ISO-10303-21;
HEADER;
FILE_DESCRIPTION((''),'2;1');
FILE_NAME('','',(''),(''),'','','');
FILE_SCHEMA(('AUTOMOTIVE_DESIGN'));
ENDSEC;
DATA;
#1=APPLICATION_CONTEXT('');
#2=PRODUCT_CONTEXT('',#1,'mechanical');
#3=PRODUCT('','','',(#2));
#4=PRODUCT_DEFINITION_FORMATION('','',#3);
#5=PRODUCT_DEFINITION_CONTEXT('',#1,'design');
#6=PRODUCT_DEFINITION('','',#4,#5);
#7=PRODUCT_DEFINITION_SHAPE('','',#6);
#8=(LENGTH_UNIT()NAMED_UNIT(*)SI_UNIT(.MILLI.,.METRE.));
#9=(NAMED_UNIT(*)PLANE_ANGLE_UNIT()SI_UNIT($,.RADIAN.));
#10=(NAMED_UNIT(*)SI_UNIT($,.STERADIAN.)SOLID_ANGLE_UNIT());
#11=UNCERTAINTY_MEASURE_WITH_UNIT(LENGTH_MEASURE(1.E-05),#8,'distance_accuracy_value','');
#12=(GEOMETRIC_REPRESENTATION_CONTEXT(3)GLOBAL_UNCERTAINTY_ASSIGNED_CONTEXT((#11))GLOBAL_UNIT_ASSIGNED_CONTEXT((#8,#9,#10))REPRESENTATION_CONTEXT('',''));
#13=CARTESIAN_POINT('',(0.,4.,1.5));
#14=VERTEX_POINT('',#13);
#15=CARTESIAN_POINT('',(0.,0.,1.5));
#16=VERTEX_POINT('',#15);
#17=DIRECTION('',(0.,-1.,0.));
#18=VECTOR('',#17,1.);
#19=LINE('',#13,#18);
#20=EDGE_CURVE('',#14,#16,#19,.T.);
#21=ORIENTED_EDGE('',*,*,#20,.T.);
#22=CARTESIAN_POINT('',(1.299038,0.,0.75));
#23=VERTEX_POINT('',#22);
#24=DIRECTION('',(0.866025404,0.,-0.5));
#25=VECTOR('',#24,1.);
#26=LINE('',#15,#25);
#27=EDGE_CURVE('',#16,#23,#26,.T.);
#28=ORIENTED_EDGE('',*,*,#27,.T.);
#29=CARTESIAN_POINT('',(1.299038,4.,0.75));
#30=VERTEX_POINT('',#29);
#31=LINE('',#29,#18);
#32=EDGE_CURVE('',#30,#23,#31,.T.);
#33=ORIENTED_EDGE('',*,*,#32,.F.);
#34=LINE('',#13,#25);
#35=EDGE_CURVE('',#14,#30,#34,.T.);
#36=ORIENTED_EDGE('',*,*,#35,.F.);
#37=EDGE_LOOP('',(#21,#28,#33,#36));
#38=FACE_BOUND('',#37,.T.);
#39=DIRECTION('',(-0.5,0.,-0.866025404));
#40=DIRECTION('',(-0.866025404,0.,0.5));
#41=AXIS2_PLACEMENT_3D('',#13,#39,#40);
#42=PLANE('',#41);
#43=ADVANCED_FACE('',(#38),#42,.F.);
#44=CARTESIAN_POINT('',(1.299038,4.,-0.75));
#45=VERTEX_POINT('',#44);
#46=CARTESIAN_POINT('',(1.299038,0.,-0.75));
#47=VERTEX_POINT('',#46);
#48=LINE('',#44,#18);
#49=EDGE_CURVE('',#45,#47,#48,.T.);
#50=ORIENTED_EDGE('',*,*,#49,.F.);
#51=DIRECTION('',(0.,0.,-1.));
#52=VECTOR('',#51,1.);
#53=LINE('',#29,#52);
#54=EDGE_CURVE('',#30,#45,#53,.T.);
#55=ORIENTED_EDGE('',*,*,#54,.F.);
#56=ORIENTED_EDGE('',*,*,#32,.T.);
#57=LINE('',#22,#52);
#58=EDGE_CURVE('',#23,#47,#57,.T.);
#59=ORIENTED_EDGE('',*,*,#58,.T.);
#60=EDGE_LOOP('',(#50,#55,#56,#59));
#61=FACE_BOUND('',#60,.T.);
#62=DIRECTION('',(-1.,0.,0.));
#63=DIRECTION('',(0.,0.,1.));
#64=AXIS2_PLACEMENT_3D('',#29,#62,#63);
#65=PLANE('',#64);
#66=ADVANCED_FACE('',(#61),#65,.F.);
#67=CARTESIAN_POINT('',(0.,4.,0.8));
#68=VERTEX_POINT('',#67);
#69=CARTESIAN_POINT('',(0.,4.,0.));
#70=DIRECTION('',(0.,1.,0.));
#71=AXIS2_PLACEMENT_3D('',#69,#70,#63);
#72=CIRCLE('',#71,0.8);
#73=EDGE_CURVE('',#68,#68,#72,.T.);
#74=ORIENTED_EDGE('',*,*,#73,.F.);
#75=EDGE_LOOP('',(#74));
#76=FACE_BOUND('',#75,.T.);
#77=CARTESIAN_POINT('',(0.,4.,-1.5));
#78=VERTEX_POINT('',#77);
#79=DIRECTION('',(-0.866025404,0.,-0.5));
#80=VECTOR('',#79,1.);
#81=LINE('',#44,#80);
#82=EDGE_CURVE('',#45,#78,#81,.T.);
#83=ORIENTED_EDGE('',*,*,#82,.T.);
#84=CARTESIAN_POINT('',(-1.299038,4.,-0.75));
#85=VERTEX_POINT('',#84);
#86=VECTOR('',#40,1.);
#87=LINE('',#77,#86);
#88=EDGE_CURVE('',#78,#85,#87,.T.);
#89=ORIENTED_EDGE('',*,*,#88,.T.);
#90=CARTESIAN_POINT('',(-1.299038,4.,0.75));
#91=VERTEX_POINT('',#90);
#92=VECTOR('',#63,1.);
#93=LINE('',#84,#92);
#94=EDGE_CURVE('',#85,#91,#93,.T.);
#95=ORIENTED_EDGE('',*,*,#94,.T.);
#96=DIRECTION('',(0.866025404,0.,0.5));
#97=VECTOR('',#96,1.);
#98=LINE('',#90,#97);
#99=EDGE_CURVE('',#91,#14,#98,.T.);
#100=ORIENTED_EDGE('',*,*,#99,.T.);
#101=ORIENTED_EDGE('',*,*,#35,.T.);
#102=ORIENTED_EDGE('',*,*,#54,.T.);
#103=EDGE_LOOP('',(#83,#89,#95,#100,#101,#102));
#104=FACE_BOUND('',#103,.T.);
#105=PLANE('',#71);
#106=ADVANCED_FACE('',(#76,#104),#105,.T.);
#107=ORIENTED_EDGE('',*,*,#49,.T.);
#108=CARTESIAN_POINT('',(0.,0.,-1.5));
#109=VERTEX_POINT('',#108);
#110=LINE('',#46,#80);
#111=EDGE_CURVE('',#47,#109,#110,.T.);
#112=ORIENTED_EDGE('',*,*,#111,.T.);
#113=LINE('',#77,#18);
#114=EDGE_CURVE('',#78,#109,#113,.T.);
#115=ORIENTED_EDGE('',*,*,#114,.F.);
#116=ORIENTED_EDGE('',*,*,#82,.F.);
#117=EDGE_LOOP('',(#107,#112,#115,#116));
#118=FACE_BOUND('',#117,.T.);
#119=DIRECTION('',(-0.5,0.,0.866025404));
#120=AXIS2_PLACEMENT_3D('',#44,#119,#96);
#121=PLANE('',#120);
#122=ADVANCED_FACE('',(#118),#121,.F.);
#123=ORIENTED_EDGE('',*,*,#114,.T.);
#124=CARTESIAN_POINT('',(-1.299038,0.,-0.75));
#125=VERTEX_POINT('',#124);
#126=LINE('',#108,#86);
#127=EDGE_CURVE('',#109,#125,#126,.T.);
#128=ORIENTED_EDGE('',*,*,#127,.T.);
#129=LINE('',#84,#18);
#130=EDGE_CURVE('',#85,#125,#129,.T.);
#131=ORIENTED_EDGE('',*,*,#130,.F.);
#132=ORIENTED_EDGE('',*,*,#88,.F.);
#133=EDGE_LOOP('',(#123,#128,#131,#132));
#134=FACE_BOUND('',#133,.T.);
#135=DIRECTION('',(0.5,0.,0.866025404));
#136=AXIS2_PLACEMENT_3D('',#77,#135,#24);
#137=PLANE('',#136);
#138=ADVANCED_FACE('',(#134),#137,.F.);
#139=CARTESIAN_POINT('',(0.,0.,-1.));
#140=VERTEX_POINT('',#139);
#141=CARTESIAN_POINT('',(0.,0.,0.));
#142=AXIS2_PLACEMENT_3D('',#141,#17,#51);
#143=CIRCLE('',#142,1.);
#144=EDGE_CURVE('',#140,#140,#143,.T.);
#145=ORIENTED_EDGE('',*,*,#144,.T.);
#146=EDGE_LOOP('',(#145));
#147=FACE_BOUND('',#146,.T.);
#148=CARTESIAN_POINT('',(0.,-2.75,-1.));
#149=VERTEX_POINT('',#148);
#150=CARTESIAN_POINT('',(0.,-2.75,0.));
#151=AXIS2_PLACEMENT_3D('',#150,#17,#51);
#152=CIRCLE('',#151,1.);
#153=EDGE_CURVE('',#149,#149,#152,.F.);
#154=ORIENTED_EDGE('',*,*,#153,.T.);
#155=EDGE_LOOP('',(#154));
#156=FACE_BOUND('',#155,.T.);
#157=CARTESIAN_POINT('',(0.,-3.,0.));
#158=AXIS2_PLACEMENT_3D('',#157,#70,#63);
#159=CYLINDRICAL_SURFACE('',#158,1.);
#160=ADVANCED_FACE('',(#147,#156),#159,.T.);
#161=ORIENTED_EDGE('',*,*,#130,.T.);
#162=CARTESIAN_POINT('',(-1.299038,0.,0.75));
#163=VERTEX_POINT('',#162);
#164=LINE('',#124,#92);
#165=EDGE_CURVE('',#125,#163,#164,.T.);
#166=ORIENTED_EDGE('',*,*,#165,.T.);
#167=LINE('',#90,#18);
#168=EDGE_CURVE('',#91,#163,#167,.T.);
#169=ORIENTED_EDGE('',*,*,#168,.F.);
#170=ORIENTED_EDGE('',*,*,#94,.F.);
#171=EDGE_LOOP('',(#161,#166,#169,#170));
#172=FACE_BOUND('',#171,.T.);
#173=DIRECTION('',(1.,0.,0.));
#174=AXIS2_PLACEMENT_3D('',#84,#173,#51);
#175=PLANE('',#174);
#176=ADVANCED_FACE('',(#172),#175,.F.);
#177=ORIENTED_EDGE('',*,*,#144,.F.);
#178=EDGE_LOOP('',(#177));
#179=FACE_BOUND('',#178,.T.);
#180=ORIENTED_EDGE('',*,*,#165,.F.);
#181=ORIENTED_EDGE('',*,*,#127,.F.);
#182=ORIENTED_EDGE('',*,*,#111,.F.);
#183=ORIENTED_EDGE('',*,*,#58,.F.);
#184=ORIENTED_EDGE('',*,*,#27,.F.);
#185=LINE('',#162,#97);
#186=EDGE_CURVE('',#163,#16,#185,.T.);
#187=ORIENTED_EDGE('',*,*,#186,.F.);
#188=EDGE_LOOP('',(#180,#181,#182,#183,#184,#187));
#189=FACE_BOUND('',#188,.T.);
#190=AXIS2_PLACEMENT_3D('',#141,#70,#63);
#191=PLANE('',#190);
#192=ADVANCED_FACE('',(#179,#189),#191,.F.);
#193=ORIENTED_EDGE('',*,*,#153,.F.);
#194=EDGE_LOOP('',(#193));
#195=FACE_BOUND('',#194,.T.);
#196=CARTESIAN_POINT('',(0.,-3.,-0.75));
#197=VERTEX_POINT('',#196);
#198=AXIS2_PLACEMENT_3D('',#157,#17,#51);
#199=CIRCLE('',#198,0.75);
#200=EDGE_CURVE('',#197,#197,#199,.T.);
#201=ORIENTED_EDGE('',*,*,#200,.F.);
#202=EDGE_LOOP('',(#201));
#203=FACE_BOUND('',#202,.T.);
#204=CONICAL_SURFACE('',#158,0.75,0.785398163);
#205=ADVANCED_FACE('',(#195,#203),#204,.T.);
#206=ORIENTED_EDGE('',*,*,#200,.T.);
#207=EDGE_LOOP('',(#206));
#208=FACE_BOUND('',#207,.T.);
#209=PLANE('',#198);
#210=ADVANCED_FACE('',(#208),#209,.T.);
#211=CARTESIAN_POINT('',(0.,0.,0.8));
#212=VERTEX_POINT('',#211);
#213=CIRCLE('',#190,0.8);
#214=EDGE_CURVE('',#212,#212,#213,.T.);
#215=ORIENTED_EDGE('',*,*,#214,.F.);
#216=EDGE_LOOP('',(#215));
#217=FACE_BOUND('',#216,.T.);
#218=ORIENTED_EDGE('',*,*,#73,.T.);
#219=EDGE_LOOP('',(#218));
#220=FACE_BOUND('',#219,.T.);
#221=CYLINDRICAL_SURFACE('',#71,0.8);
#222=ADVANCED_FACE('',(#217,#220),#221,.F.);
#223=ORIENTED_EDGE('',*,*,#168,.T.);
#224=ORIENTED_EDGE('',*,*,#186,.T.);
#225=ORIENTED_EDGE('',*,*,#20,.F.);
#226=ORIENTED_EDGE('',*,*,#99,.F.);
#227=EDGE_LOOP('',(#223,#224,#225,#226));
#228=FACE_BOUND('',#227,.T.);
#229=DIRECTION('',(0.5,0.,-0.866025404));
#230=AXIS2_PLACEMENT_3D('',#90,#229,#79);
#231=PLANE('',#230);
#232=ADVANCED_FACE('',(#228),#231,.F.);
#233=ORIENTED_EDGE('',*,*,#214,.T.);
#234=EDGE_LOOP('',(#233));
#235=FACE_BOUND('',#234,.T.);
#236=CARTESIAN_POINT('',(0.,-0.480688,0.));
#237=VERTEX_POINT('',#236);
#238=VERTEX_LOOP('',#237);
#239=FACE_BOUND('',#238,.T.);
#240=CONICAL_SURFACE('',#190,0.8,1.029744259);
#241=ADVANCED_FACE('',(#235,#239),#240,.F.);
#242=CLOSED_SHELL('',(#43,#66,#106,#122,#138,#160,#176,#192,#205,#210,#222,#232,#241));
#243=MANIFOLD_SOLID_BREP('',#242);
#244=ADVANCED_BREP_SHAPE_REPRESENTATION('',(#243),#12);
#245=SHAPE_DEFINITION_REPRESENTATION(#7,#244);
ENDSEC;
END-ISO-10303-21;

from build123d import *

# Parameters (mm, degrees)
EXTRUDE_1_DEPTH       = 4
SKETCH_4_R            = 1
EXTRUDE_2_DEPTH       = 3
CHAMFER_1_SIZE        = 0.25
HOLE_WIZARD_M23_D     = 1.6
HOLE_WIZARD_M23_DEPTH = 4
HOLE_WIZARD_M23_TIP   = 0.480688495


with BuildPart() as part:
    # Эскиз1 → Бобышка-Вытянуть1 (new body)
    with BuildSketch(Plane(origin=(0, 0, 0), x_dir=(1, 0, 0), z_dir=(0, 1, 0))):
        Polygon((0, 1.5), (-1.299038106, 0.75), (-1.299038106, -0.75), (0, -1.5), (1.299038106, -0.75), (1.299038106, 0.75), align=None)
    extrude(amount=EXTRUDE_1_DEPTH)

    # Эскиз4 → Бобышка-Вытянуть2 (add)
    with BuildSketch(Plane.XZ):
        with Locations(Location((0, 0, 0), (0, 0, 270))):
            Circle(SKETCH_4_R)
    extrude(amount=EXTRUDE_2_DEPTH)

    # Фаска1
    chamfer_1_edges = [part.edges().sort_by_distance(p)[0] for p in [
        (0, -3, 1),
    ]]
    chamfer(chamfer_1_edges, length=CHAMFER_1_SIZE)

    # Отверстие обработанное метчиком M23
    with Locations(Plane(origin=(0, 4, 0), x_dir=(1, 0, 0), z_dir=(0, 1, 0))):
        with Locations((0, 0)):
            Hole(HOLE_WIZARD_M23_D / 2, depth=HOLE_WIZARD_M23_DEPTH)
            with Locations((0, 0, -(HOLE_WIZARD_M23_DEPTH + HOLE_WIZARD_M23_TIP / 2))):  # 118° drill point
                Cone(0, HOLE_WIZARD_M23_D / 2, HOLE_WIZARD_M23_TIP, mode=Mode.SUBTRACT)


solid = part.part
